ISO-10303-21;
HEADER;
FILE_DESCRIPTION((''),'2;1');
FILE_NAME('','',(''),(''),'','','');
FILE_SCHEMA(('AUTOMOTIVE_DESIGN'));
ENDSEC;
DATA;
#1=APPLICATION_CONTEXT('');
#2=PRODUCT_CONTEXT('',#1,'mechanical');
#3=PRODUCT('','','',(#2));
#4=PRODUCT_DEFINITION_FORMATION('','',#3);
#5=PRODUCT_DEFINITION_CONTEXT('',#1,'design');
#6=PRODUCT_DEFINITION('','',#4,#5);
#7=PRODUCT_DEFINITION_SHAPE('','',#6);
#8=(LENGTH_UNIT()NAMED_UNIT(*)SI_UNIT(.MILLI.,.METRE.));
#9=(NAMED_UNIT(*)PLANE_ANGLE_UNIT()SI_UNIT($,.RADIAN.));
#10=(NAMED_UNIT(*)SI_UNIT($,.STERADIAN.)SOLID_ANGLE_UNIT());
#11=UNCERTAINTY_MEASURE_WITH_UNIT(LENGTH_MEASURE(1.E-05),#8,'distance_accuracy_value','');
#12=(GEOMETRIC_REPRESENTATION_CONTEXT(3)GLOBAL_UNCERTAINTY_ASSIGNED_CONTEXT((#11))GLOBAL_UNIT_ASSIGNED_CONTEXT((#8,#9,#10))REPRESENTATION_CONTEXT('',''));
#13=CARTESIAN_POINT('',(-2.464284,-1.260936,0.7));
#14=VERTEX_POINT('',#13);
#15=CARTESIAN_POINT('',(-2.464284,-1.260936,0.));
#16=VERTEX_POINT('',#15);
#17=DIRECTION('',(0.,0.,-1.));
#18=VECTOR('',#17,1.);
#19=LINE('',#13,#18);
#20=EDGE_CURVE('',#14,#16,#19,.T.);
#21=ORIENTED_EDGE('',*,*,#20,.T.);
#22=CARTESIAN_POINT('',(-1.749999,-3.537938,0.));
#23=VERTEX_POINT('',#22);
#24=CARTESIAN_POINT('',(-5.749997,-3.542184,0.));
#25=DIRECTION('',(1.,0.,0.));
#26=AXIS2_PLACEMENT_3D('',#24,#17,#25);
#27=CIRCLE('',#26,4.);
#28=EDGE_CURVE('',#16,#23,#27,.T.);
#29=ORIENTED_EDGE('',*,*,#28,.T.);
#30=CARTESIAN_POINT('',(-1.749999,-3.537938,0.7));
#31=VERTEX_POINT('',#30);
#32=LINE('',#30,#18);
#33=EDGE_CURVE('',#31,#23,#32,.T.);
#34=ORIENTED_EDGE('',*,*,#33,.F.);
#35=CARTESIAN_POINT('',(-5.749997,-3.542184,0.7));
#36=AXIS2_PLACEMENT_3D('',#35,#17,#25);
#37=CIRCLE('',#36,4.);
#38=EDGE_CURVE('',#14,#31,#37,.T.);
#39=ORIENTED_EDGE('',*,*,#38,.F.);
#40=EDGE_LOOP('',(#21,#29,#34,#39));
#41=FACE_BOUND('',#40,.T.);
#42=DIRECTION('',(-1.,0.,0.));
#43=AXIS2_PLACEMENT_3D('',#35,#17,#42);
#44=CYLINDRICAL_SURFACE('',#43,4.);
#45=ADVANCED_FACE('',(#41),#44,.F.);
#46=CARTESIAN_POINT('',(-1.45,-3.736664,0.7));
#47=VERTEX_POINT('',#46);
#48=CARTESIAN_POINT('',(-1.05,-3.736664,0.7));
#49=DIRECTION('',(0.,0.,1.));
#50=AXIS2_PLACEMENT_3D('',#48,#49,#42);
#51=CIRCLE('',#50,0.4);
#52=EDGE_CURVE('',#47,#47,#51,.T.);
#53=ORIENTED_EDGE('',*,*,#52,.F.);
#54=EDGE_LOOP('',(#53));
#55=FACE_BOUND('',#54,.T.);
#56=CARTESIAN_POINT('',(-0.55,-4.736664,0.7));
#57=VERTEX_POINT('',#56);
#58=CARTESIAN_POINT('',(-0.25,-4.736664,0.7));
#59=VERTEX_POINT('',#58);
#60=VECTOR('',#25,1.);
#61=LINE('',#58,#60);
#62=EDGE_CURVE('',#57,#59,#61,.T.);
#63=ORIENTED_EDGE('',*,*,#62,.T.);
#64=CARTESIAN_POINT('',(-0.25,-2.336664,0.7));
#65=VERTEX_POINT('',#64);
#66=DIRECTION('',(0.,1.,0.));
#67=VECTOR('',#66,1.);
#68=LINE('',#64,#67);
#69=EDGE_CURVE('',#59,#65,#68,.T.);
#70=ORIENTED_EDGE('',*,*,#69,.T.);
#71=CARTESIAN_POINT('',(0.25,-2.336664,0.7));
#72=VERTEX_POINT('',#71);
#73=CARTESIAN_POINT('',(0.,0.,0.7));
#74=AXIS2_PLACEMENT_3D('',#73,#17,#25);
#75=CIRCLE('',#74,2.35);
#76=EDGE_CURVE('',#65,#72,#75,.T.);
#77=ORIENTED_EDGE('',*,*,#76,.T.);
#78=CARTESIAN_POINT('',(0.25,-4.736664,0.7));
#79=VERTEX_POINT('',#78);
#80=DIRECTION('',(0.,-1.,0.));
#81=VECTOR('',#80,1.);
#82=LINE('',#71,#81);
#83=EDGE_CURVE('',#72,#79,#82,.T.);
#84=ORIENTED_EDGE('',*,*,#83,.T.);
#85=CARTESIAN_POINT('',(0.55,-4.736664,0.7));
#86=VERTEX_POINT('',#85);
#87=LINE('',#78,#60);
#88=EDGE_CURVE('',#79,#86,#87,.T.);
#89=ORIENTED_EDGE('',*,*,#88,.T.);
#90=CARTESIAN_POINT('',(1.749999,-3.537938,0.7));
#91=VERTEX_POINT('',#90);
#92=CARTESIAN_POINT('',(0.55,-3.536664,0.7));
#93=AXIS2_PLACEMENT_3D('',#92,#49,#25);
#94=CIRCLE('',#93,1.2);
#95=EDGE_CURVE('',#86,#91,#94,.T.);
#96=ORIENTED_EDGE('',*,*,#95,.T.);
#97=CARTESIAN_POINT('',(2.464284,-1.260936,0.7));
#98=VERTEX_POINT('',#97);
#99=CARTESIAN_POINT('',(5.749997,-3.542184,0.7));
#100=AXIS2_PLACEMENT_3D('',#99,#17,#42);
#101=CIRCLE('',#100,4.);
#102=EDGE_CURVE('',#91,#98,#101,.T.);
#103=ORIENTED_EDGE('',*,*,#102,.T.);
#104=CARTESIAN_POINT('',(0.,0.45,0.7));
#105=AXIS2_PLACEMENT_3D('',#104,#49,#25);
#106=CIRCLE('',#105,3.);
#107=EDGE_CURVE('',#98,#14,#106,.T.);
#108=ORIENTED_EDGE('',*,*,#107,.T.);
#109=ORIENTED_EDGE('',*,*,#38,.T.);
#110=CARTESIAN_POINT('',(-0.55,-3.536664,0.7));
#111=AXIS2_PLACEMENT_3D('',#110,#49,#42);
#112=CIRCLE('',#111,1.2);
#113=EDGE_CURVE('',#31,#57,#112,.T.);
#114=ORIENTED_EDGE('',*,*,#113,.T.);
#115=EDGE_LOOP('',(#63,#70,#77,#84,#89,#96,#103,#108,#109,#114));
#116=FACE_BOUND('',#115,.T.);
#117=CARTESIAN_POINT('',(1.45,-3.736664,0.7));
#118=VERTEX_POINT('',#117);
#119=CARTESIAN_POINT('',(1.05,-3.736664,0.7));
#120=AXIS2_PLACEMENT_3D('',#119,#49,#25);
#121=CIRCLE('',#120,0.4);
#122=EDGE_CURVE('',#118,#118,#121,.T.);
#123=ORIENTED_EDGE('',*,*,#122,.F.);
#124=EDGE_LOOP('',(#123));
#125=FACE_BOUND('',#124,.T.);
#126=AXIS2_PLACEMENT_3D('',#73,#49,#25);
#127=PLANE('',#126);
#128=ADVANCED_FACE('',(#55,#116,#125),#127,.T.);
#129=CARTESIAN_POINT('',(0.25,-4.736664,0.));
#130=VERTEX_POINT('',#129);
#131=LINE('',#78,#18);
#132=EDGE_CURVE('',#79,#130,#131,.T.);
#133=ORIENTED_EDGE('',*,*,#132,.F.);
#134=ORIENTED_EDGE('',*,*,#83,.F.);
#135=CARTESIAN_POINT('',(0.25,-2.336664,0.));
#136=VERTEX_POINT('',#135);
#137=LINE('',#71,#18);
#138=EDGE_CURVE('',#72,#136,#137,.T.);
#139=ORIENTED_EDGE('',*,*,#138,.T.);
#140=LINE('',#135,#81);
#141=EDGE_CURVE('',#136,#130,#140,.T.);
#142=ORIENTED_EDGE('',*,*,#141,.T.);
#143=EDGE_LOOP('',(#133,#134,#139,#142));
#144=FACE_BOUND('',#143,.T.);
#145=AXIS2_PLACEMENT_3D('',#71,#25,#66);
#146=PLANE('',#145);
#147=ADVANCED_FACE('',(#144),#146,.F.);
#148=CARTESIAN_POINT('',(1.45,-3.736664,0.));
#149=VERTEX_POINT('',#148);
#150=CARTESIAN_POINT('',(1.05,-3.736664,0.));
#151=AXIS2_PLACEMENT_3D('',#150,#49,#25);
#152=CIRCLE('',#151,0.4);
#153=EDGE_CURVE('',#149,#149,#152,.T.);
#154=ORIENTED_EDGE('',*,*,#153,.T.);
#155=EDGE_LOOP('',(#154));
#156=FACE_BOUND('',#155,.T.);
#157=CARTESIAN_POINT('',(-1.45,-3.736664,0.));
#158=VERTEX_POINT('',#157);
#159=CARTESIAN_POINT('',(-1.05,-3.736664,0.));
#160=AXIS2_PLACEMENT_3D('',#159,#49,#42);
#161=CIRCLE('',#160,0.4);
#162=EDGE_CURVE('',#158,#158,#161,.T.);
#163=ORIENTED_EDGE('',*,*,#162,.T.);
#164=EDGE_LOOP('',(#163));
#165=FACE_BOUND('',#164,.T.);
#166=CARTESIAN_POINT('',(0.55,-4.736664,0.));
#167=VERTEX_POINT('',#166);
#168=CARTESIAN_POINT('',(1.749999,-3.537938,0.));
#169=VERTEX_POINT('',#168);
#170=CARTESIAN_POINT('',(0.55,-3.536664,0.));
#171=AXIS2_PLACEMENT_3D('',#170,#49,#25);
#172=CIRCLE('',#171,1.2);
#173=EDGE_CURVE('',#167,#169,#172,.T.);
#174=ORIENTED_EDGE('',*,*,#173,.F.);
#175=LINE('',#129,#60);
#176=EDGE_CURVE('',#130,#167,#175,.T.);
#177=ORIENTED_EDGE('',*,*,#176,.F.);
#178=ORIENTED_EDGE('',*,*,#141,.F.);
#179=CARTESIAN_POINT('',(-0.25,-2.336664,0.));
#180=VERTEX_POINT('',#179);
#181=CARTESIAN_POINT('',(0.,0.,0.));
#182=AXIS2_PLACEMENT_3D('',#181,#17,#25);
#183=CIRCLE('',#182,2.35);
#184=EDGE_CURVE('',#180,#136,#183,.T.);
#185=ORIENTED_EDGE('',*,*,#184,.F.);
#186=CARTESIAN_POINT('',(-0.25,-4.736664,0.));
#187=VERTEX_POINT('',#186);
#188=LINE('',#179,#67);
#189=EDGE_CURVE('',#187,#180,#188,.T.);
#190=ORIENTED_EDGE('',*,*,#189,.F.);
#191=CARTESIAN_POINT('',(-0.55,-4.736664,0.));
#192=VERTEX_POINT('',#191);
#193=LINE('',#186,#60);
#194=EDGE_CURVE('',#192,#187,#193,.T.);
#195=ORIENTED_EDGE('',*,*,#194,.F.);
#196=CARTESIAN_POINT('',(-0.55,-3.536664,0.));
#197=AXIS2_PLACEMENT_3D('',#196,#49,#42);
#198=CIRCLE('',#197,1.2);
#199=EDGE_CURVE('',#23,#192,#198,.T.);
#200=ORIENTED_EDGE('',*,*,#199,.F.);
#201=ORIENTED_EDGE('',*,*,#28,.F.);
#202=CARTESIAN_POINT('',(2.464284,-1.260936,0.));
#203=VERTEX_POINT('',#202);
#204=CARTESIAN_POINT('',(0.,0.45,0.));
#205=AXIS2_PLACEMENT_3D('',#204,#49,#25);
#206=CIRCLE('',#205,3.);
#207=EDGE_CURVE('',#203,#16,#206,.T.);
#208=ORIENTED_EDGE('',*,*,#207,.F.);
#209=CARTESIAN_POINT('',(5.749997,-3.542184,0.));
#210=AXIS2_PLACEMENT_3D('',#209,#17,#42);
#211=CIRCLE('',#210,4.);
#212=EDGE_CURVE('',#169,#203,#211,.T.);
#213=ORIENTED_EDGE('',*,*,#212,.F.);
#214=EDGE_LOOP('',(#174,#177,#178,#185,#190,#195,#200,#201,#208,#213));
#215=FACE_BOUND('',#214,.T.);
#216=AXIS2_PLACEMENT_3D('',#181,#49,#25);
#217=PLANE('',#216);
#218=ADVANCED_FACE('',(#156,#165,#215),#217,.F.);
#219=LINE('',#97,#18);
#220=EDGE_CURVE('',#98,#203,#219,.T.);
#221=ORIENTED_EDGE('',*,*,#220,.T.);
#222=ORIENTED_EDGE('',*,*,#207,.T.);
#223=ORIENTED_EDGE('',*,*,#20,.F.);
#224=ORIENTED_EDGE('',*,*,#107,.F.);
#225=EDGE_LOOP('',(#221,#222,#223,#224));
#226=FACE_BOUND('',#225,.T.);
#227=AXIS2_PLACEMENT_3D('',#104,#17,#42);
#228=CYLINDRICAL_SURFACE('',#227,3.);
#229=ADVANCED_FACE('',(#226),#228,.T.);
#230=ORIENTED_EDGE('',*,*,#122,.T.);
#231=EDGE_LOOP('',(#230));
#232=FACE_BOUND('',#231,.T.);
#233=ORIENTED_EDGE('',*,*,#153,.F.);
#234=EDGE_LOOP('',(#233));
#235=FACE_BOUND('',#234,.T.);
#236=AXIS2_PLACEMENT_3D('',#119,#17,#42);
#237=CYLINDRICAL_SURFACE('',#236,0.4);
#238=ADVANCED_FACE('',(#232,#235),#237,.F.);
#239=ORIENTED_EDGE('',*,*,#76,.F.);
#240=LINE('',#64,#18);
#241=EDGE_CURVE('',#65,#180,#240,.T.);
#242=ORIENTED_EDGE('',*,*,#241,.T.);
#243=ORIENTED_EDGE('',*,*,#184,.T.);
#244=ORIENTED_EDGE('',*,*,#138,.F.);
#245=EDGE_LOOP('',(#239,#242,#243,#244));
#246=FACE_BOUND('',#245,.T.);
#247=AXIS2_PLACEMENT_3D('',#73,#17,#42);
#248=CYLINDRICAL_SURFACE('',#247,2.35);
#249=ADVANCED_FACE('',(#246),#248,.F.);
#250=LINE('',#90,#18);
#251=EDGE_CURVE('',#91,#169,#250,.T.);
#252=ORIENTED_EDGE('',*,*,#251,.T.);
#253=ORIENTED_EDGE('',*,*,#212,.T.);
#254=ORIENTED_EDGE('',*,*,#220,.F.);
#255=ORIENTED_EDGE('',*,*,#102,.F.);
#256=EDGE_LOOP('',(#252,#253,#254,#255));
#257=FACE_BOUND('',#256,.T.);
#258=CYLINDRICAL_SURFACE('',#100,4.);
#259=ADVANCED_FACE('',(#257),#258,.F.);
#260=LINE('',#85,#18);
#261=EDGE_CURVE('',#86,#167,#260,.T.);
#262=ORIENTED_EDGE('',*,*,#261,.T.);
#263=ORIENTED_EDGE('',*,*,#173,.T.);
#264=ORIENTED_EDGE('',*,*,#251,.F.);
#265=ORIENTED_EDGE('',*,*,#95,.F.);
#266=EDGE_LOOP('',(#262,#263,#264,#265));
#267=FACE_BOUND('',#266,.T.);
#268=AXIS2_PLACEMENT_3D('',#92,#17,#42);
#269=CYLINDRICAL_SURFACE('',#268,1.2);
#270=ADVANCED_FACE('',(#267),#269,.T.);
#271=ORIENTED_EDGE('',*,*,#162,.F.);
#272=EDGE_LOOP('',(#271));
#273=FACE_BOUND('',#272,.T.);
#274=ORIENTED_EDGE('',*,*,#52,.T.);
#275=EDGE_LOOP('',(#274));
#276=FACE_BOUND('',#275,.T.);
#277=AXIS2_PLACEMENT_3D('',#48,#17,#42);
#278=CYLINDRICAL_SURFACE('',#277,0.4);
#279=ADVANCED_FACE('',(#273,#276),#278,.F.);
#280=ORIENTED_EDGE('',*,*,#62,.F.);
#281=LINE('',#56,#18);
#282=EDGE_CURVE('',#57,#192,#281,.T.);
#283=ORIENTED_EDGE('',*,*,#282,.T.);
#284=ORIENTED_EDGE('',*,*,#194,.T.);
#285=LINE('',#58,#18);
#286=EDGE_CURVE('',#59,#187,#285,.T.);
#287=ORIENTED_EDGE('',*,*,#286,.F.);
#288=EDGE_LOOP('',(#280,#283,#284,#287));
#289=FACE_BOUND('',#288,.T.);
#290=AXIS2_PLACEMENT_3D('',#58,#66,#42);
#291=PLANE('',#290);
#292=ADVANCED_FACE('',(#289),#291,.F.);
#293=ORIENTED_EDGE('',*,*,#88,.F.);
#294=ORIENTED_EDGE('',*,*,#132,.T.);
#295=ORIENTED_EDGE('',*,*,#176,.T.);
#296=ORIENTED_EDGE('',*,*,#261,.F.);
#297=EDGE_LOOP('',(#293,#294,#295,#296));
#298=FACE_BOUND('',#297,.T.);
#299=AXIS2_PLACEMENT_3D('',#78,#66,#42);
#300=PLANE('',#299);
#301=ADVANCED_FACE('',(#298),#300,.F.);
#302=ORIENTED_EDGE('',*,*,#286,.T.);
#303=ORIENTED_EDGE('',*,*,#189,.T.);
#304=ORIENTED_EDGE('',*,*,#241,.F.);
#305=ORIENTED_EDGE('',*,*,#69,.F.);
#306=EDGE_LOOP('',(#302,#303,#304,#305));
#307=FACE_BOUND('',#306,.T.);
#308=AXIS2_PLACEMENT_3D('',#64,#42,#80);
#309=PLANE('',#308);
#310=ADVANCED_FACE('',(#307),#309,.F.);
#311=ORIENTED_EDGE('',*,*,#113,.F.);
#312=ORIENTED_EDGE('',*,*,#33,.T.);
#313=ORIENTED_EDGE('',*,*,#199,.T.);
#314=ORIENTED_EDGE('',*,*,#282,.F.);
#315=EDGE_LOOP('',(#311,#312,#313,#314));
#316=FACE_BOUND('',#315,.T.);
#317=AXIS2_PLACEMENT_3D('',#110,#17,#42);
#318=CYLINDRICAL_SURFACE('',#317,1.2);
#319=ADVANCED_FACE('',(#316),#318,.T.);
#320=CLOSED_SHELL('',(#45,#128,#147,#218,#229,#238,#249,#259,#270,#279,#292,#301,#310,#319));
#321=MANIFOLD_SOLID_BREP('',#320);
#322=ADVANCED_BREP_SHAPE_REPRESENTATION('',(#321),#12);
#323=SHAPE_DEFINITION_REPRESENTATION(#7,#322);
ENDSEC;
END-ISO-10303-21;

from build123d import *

# Parameters (mm, degrees)
SKETCH_1_R      = 0.4
EXTRUDE_1_DEPTH = 0.7


with BuildPart() as part:
    # 草图1 → 凸台-拉伸1 (new body)
    with BuildSketch(Plane.XY):
        with BuildLine():
            Line((-0.25, -2.336664289), (-0.25, -4.736664289))
            Line((-0.25, -4.736664289), (-0.55, -4.736664289))
            ThreePointArc((-0.55, -4.736664289), (-1.398077663, -4.385642662), (-1.749999324, -3.537938086))
            ThreePointArc((-1.749999324, -3.537938086), (-1.933378352, -2.344928231), (-2.464284459, -1.260936032))
            ThreePointArc((-2.464284459, -1.260936032), (0, 3.45), (2.464284459, -1.260936032))
            ThreePointArc((2.464284459, -1.260936032), (1.933378352, -2.344928231), (1.749999324, -3.537938086))
            ThreePointArc((1.749999324, -3.537938086), (1.398077663, -4.385642662), (0.55, -4.736664289))
            Line((0.55, -4.736664289), (0.25, -4.736664289))
            Line((0.25, -4.736664289), (0.25, -2.336664289))
            ThreePointArc((0.25, -2.336664289), (0, 2.35), (-0.25, -2.336664289))
        make_face()
        with Locations(Location((-1.05, -3.736664289, 0), (0, 0, 180))):
            Circle(SKETCH_1_R, mode=Mode.SUBTRACT)
        with Locations((1.05, -3.736664289)):
            Circle(SKETCH_1_R, mode=Mode.SUBTRACT)
    extrude(amount=EXTRUDE_1_DEPTH)


solid = part.part
